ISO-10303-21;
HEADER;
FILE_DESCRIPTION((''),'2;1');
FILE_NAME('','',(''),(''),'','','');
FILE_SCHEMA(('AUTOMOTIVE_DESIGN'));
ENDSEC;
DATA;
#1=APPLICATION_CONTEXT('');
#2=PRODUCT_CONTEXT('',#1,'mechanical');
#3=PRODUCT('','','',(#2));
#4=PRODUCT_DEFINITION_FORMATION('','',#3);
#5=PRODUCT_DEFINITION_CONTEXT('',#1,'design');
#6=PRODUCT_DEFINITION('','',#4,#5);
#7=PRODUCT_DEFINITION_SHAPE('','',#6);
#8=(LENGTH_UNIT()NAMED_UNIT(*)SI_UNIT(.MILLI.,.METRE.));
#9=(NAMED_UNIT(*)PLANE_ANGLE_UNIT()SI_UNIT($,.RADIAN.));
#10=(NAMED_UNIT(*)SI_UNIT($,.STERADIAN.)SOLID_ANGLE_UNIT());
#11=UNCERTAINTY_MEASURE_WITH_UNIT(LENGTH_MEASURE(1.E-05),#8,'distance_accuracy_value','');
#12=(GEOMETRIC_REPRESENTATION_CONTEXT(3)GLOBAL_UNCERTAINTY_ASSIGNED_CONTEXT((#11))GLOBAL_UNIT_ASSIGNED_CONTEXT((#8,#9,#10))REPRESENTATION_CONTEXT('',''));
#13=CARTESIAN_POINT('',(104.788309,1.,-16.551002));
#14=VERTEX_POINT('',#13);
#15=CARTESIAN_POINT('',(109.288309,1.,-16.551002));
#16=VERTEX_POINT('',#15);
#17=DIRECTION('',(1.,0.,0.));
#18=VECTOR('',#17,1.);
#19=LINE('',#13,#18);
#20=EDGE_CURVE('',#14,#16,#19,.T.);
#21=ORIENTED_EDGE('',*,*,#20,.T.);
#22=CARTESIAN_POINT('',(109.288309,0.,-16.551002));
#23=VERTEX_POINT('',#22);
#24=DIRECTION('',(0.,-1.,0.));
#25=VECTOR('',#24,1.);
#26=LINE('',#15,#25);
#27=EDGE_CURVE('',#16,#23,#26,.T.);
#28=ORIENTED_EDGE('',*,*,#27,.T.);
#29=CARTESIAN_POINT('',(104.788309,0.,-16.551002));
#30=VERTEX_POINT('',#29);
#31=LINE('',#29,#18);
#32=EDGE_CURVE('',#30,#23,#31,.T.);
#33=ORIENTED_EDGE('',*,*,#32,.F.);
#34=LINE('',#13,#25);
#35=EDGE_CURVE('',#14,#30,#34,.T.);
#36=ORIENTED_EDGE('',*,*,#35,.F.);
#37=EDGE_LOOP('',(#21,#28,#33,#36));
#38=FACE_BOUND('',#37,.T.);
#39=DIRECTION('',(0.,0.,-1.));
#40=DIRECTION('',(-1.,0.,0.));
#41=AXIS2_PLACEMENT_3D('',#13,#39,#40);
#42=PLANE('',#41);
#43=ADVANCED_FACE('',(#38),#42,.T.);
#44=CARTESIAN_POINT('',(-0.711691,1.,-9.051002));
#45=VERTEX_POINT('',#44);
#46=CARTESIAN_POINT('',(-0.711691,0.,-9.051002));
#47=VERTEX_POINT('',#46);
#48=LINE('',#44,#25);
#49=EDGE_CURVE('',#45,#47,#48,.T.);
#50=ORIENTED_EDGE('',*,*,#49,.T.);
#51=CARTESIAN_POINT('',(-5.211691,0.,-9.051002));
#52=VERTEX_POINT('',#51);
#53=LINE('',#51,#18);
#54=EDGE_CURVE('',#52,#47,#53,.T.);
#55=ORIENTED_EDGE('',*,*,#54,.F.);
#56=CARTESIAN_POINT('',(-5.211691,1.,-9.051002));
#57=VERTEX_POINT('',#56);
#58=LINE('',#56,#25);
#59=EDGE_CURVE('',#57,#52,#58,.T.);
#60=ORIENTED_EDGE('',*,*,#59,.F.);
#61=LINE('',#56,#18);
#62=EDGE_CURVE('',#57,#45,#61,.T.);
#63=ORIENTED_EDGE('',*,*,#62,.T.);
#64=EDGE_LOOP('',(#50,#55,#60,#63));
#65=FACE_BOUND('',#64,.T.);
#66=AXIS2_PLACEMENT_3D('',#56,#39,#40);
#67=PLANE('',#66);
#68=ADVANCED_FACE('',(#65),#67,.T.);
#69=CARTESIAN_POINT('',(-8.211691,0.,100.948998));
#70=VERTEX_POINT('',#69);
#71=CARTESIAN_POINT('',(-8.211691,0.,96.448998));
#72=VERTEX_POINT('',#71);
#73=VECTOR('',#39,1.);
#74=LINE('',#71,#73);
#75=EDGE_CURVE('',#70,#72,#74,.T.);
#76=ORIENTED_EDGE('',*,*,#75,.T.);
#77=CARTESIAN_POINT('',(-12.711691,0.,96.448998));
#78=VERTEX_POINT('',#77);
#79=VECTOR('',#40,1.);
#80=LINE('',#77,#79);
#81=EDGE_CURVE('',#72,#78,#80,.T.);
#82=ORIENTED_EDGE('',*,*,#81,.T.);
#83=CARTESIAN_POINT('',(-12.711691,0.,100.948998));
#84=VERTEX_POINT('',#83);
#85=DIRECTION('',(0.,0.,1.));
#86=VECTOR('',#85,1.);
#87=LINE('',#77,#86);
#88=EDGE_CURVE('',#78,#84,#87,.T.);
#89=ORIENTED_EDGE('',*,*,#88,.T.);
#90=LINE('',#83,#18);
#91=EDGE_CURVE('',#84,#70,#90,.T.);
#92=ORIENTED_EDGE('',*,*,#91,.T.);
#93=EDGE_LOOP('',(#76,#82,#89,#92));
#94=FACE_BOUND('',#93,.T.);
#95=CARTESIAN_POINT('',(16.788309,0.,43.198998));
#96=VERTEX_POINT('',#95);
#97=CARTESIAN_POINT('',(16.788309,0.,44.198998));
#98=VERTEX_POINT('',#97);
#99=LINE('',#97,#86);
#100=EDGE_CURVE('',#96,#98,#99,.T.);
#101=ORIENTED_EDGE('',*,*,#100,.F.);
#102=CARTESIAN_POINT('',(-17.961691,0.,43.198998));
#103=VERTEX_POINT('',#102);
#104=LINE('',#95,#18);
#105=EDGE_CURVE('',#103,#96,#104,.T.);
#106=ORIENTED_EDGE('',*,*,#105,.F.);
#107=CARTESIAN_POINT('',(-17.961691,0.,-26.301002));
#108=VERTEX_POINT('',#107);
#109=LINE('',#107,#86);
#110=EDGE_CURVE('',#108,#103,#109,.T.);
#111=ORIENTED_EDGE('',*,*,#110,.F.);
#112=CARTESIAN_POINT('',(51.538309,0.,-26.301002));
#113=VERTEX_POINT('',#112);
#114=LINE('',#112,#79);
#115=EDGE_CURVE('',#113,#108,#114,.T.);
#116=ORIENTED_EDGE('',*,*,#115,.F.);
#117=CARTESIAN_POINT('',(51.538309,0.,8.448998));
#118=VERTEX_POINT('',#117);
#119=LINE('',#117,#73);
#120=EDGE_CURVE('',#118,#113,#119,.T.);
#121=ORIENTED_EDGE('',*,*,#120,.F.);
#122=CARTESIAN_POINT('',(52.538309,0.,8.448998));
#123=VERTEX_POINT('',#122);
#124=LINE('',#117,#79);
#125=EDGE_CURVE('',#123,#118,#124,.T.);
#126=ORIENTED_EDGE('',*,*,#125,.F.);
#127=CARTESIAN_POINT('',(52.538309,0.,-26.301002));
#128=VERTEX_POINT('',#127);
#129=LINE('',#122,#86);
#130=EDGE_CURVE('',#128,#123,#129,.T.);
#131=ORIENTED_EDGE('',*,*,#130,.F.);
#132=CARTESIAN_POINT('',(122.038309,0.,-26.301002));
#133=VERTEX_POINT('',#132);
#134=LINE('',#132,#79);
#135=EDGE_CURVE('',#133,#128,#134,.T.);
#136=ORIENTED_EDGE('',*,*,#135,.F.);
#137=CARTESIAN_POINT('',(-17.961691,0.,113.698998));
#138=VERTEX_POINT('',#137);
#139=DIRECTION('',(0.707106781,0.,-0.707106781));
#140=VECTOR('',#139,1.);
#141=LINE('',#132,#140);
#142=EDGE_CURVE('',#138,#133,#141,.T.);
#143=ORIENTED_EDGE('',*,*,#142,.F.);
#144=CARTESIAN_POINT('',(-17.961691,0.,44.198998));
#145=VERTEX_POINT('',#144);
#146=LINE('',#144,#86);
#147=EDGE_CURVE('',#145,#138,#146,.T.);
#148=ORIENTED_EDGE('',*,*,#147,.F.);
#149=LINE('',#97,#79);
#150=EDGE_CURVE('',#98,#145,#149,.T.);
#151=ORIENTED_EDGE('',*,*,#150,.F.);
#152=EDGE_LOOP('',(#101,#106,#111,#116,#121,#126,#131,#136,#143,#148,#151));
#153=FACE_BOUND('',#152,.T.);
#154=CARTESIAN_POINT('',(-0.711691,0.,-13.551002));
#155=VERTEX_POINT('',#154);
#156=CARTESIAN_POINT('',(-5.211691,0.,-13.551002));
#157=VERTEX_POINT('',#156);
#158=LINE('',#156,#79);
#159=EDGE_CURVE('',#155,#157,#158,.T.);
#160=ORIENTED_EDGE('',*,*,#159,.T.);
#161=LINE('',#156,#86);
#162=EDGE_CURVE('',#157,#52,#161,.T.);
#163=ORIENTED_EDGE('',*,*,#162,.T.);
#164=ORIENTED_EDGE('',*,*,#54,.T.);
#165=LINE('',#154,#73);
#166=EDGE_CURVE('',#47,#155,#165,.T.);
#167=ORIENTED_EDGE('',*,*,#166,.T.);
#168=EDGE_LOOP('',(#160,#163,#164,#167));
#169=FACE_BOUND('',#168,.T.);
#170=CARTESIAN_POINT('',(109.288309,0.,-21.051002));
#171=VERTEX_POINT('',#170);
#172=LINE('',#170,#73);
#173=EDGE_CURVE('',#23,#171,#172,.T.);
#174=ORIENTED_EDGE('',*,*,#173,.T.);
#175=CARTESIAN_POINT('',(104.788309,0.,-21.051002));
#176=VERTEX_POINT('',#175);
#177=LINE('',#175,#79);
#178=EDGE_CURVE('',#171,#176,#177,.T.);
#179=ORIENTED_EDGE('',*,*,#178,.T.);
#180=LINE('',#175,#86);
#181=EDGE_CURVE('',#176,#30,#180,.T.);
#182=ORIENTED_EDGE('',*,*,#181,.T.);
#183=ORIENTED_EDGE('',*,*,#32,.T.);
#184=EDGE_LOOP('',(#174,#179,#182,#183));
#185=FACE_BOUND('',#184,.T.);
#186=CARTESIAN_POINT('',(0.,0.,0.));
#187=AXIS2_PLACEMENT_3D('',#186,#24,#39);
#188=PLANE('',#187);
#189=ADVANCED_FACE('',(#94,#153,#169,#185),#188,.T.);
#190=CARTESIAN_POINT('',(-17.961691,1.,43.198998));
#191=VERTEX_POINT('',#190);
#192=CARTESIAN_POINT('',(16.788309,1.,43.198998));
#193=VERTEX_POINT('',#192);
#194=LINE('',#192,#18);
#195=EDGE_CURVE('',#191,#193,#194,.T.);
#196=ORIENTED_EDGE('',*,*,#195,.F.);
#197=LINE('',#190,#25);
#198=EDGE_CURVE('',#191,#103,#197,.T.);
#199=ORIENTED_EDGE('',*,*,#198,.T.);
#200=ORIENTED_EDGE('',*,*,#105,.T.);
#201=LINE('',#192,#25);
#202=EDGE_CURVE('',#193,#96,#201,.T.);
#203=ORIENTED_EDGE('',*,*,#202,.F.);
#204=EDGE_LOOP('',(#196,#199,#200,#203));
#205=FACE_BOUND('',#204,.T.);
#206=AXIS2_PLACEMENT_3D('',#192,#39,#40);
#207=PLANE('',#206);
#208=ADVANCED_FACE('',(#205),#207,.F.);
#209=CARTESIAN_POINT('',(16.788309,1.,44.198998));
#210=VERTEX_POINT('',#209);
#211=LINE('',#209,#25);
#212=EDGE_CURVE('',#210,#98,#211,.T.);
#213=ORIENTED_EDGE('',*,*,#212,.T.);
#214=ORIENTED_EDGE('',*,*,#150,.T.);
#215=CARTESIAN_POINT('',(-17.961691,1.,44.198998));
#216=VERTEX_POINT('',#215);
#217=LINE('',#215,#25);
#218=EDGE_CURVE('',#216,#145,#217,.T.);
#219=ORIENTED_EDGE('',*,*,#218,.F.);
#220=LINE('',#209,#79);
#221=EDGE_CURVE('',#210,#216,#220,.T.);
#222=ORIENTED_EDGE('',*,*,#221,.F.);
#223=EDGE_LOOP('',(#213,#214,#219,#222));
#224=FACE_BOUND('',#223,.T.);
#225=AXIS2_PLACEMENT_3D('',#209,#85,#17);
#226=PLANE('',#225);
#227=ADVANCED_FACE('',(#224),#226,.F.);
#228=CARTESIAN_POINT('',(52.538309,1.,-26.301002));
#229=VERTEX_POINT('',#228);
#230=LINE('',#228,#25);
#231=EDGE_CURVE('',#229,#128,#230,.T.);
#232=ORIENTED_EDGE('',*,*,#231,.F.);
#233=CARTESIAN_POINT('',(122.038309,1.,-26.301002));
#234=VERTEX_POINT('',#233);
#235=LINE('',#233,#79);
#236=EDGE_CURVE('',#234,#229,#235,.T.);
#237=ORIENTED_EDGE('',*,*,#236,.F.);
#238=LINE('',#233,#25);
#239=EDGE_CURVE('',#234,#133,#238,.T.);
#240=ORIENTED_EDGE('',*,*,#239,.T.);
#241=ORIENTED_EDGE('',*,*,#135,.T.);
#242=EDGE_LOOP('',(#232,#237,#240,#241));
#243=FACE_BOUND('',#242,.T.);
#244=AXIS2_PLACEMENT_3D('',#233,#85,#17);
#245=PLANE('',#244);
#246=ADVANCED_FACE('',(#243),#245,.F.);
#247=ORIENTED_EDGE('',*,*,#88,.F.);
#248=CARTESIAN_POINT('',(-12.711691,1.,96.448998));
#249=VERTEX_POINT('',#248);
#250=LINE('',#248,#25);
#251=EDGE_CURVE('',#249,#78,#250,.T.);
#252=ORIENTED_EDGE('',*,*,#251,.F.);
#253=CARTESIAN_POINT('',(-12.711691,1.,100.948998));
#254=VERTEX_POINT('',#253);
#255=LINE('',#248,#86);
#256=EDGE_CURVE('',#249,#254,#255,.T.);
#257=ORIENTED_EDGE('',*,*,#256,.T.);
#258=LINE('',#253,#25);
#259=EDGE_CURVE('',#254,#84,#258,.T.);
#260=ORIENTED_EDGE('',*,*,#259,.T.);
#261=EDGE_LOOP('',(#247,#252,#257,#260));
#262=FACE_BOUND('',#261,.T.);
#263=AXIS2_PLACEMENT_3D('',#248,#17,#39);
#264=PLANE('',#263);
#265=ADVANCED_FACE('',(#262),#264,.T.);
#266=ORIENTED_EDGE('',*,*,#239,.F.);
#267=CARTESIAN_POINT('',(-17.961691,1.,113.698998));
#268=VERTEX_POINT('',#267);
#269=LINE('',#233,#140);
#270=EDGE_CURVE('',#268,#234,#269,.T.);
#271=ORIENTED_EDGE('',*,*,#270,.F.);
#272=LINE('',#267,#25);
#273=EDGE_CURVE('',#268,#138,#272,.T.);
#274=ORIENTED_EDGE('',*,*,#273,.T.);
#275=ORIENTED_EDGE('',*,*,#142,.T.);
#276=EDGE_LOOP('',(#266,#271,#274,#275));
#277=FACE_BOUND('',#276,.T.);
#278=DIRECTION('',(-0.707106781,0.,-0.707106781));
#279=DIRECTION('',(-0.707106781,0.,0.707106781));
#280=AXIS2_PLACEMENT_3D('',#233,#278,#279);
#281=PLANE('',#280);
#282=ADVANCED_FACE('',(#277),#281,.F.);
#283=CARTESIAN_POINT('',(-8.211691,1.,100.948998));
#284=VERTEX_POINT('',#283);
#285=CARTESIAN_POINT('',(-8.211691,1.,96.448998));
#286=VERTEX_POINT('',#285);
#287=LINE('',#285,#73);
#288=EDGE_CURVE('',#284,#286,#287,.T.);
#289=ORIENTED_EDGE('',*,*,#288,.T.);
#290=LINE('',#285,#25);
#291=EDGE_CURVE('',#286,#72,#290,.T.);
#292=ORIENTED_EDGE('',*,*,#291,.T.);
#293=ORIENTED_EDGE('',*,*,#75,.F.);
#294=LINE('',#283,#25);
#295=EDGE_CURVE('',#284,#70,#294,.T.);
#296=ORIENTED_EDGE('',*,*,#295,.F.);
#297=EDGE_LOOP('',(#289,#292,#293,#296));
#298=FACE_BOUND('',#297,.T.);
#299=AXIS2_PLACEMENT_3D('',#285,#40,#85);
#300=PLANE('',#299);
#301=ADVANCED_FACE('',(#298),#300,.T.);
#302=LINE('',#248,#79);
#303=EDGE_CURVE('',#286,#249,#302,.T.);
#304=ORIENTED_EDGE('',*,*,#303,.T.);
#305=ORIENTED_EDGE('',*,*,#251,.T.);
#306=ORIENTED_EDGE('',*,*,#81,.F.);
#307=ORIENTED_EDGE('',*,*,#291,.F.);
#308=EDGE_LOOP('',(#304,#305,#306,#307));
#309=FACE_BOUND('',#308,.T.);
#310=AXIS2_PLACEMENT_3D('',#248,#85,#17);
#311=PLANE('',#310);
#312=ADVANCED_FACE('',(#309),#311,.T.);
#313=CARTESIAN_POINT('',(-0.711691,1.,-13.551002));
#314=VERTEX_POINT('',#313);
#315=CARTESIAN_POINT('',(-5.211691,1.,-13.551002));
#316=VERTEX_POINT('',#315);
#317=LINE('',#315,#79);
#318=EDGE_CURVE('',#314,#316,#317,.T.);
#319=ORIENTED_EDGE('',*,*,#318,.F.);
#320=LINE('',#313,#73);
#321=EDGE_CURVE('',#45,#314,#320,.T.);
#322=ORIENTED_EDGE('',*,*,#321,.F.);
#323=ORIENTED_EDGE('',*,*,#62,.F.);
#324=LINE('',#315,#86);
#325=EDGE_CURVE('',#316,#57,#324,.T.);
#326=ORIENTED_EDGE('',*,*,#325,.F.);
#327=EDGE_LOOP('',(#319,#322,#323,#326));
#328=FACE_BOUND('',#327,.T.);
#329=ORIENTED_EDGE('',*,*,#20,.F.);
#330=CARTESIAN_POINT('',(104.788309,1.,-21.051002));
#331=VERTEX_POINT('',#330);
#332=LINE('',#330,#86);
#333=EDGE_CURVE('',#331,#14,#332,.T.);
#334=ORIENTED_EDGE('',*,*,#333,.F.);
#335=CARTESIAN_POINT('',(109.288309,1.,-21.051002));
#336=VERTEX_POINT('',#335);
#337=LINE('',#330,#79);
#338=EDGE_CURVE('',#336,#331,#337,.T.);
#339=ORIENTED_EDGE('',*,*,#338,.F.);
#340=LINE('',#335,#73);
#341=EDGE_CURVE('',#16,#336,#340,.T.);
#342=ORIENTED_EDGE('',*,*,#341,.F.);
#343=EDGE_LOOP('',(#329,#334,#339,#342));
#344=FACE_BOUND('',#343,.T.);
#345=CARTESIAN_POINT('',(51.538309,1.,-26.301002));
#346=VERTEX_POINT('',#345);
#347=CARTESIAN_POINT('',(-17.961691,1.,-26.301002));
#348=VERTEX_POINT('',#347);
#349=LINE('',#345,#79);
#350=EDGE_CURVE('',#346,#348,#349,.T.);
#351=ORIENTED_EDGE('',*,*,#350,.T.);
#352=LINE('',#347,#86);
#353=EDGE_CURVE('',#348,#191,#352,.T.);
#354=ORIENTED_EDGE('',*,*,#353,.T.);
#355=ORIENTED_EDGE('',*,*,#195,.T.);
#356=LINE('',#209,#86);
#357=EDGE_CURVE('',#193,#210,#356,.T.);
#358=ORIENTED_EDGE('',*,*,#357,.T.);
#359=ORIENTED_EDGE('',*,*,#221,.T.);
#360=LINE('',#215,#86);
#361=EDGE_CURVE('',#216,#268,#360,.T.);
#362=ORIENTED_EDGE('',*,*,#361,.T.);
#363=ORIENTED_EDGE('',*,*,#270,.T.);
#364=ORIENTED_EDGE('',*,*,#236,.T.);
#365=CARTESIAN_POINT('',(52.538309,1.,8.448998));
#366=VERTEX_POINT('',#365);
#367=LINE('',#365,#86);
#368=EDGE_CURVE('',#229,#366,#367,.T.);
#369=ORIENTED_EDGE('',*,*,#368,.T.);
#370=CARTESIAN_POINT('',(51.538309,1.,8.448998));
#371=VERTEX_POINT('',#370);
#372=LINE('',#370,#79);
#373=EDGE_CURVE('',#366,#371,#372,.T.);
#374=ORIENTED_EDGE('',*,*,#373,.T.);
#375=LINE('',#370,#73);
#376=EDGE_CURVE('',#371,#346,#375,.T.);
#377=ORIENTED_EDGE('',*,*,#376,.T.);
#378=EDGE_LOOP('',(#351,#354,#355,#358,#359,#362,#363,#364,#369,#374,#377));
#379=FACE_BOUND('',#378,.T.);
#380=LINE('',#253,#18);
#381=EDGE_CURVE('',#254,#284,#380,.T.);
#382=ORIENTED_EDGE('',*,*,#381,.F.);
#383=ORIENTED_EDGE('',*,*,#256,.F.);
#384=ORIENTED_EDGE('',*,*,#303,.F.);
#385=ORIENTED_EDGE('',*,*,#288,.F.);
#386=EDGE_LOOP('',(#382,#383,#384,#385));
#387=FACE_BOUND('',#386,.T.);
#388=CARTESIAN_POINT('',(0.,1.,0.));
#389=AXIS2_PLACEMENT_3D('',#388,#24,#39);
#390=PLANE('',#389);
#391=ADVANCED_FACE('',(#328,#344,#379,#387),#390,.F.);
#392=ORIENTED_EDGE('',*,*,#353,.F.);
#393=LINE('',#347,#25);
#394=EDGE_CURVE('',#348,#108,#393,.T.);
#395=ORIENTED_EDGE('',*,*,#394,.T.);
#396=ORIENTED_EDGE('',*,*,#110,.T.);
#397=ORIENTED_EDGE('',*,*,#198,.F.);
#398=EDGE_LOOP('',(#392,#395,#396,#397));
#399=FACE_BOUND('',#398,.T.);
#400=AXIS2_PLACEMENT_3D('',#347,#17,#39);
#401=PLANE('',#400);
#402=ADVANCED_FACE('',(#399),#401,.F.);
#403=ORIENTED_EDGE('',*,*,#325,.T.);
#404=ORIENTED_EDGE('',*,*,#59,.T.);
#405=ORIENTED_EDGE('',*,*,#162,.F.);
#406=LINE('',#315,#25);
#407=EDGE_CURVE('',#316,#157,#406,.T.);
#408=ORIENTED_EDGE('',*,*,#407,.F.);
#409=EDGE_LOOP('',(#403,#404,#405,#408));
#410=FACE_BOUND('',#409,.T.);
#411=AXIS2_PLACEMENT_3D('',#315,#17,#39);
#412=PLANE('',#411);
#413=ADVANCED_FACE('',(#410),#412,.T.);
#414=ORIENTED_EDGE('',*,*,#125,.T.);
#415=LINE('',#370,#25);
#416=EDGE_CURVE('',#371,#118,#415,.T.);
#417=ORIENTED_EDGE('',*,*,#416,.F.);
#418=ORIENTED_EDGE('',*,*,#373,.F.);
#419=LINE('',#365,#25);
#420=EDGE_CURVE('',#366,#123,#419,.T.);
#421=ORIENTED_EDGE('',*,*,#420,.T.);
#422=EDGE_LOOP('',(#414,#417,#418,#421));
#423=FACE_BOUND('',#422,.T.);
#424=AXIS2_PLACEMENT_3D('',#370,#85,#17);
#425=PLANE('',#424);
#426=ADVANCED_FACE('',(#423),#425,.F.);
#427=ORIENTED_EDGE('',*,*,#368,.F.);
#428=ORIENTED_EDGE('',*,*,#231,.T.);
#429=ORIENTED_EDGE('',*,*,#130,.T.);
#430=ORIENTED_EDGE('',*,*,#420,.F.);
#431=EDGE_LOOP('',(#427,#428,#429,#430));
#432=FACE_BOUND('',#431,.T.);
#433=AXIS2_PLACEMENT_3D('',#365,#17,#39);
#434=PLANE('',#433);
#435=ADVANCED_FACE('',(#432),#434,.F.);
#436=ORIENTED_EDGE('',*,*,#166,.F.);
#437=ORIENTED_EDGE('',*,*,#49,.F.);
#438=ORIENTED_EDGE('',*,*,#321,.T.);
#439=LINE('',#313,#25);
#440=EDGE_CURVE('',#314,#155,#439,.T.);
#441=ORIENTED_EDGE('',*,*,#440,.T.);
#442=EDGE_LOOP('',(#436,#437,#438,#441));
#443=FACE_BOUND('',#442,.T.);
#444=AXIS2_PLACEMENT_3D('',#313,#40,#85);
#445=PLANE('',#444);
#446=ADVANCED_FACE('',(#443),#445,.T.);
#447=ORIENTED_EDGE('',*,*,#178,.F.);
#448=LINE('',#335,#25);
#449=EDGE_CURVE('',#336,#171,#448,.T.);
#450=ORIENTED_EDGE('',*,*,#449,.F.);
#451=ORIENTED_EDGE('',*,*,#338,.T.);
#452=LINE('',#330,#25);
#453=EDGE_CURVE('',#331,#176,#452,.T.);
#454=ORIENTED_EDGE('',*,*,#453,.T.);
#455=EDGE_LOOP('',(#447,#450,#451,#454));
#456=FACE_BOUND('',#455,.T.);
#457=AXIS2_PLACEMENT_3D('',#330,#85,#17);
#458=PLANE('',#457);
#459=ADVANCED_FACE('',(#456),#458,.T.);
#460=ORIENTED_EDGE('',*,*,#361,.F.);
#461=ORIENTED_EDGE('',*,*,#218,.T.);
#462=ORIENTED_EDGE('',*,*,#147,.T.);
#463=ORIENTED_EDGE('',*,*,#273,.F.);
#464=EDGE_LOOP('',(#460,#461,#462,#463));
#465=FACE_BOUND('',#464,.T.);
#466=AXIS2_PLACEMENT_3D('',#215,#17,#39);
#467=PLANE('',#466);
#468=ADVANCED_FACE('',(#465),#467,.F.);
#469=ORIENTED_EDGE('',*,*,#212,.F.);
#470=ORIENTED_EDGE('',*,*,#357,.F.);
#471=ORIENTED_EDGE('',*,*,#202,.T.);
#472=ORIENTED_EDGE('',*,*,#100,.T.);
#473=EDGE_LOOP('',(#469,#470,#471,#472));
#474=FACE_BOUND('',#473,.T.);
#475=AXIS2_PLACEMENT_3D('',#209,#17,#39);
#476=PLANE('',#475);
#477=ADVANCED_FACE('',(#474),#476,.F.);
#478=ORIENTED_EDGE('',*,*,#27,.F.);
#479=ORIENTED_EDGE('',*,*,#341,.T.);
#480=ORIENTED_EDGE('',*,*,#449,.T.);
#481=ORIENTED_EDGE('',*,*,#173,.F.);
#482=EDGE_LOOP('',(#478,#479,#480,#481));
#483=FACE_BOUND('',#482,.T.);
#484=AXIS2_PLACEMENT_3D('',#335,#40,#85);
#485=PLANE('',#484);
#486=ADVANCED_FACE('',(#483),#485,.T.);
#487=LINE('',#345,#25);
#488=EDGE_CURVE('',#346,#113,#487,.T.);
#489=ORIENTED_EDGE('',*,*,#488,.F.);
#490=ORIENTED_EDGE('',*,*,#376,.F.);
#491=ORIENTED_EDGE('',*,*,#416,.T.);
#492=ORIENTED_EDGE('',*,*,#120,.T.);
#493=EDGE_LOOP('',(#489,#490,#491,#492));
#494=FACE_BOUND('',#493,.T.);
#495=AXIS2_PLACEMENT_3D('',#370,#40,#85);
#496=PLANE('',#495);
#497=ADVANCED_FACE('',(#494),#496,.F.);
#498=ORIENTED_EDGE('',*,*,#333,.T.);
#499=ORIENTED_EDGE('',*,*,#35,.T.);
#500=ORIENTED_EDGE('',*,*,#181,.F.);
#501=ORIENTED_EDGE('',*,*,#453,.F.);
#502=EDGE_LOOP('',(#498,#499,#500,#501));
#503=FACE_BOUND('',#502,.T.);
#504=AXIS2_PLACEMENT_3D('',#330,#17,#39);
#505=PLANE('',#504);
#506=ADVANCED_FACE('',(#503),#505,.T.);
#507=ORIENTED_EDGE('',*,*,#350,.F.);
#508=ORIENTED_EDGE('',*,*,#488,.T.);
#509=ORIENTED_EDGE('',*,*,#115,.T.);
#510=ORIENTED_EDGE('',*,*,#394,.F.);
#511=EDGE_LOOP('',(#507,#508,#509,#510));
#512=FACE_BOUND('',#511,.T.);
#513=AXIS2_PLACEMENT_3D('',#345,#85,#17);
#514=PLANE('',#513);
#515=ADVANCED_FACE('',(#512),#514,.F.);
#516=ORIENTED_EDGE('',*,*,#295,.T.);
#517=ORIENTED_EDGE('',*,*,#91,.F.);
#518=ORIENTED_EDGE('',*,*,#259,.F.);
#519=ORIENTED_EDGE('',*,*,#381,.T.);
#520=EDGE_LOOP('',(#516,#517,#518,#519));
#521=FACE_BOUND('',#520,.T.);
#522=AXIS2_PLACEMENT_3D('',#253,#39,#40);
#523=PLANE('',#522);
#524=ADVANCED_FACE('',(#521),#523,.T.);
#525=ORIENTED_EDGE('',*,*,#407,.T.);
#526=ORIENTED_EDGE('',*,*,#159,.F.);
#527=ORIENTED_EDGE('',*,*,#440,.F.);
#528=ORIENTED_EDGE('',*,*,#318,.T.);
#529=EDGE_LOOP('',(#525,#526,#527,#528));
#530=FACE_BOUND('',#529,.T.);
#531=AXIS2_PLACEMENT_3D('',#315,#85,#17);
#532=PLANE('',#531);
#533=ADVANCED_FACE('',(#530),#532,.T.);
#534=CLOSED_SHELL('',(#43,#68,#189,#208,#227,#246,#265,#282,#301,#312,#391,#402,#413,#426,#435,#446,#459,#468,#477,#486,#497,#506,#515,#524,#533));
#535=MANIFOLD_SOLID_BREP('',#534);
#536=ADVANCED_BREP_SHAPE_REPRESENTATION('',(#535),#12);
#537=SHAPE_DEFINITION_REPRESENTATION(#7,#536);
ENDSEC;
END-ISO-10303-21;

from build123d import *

# Parameters (mm, degrees)
SKETCH1_W           = 4.5
SKETCH1_H           = 4.5
BOSS_EXTRUDE3_DEPTH = 1


with BuildPart() as part:
    # Sketch1 → Boss-Extrude3 (new body)
    with BuildSketch(Plane(origin=(0, 0, 0), x_dir=(1, 0, 0), z_dir=(0, 1, 0))):
        Polygon((122.038308787, 26.301002263), (52.538308787, 26.301002263), (52.538308787, -8.448997737), (51.538308787, -8.448997737), (51.538308787, 26.301002263), (-17.961691213, 26.301002263), (-17.961691213, -43.198997737), (16.788308787, -43.198997737), (16.788308787, -44.198997737), (-17.961691213, -44.198997737), (-17.961691213, -113.698997737), align=None)
        with Locations((-2.961691213, 11.301002263)):
            Rectangle(SKETCH1_W, SKETCH1_H, mode=Mode.SUBTRACT)
        with Locations((107.038308787, 18.801002263)):
            Rectangle(SKETCH1_W, SKETCH1_H, mode=Mode.SUBTRACT)
        with Locations((-10.461691213, -98.698997737)):
            Rectangle(SKETCH1_W, SKETCH1_H, mode=Mode.SUBTRACT)
    extrude(amount=BOSS_EXTRUDE3_DEPTH)


solid = part.part
